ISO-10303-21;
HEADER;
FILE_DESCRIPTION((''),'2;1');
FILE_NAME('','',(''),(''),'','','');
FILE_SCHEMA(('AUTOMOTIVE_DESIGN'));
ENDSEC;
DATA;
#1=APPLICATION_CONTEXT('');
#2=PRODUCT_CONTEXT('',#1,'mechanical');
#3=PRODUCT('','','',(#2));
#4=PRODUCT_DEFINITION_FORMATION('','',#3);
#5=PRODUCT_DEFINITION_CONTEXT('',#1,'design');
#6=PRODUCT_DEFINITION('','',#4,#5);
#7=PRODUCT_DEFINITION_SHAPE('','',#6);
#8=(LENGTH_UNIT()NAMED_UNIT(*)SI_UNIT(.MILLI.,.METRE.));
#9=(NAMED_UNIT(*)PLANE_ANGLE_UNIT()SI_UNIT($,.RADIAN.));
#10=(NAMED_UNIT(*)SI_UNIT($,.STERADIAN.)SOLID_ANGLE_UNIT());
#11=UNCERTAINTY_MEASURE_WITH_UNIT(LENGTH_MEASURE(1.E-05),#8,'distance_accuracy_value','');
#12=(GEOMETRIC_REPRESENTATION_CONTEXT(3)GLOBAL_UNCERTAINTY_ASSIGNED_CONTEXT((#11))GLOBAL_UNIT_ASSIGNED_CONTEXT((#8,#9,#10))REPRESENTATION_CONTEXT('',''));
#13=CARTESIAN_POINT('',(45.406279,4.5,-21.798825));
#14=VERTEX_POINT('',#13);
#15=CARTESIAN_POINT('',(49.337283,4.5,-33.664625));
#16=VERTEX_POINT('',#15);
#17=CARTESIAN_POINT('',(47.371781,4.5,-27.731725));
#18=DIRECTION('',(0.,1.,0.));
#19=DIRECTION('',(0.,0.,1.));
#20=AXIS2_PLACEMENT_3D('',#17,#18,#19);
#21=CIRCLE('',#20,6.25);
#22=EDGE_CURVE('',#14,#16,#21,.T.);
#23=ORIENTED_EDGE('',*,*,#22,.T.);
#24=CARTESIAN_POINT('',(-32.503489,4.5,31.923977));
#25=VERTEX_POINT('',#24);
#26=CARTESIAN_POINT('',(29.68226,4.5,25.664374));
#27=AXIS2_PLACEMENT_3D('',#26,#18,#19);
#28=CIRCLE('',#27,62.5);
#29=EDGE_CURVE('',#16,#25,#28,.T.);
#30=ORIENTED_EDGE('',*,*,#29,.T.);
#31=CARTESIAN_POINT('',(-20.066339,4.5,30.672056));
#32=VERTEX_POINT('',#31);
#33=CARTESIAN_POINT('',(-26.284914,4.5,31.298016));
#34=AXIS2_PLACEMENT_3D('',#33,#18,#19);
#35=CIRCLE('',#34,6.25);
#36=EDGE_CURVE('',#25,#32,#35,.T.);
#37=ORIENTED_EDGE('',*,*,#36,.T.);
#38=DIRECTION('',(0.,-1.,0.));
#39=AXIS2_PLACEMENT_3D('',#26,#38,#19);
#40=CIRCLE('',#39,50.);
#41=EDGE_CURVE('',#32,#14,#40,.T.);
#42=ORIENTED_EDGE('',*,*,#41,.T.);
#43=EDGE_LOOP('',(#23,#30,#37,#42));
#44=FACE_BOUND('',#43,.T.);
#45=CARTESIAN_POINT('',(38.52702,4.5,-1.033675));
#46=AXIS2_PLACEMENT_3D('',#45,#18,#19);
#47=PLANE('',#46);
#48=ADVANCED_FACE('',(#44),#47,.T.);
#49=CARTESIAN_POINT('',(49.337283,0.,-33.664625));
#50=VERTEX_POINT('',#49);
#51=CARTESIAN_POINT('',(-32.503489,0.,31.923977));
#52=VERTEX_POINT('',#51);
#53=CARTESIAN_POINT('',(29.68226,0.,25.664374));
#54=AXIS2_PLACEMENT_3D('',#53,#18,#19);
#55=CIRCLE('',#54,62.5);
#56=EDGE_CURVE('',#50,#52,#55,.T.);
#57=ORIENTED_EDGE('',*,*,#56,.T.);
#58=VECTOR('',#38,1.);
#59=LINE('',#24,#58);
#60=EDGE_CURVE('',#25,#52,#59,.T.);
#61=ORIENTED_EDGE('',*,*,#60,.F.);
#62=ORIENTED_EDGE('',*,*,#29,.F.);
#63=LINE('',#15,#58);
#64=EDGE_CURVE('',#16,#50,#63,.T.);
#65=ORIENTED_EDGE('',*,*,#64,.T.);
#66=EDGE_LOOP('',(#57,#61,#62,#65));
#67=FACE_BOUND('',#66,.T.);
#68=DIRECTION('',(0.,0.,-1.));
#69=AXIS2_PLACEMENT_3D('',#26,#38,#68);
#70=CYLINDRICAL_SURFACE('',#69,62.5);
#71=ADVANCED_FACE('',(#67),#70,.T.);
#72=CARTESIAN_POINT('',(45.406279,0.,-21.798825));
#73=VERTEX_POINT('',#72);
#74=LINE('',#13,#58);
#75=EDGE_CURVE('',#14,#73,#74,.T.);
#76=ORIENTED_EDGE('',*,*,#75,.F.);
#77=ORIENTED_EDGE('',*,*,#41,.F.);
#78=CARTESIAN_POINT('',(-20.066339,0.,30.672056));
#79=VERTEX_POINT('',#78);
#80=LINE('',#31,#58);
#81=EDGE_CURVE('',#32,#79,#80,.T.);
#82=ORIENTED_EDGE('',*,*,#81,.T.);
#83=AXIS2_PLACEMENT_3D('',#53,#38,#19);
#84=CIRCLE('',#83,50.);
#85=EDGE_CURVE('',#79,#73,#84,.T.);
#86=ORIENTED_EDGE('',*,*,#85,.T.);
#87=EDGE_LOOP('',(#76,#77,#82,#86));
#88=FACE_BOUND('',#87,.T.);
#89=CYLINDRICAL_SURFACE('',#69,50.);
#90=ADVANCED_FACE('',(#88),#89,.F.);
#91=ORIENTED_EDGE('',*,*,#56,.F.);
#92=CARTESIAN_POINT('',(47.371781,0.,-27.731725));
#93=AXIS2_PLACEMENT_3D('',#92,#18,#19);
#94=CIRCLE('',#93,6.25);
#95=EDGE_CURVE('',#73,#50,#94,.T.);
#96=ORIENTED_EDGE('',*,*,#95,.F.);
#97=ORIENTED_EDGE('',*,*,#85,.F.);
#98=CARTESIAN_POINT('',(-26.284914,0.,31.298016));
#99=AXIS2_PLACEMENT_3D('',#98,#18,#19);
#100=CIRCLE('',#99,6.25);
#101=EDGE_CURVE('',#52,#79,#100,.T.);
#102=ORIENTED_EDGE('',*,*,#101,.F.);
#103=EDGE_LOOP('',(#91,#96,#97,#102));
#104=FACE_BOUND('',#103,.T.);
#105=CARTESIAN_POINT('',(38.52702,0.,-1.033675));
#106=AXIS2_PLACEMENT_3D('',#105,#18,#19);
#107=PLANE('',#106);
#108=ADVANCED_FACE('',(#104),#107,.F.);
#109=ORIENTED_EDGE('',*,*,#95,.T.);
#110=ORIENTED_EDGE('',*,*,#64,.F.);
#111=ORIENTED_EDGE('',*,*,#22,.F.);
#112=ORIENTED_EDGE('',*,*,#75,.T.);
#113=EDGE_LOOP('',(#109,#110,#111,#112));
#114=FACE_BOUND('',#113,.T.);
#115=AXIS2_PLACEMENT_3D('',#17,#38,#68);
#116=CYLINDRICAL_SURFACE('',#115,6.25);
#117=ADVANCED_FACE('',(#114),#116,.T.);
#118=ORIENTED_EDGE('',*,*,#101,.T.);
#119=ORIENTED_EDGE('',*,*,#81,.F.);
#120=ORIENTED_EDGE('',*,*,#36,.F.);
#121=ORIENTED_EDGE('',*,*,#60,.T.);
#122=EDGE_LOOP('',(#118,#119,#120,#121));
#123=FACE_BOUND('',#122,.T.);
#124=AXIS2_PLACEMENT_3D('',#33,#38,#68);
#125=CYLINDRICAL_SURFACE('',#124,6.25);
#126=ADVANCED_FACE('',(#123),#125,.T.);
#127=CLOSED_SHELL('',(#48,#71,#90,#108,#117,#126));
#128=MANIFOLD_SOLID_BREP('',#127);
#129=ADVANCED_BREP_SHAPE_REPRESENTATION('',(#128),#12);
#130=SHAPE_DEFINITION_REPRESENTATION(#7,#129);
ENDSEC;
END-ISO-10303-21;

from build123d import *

# Parameters (mm, degrees)
BOSS_EXTRUDE1_DEPTH = 4.5


with BuildPart() as part:
    # Sketch1 → Boss-Extrude1 (new body)
    with BuildSketch(Plane(origin=(0, 0, 0), x_dir=(1, 0, 0), z_dir=(0, 1, 0))):
        with BuildLine():
            ThreePointArc((49.337283378, 33.664624618), (-9.403310394, 23.106193098), (-32.503489047, -31.923976619))
            ThreePointArc((-32.503489047, -31.923976619), (-25.65895387, -37.516591231), (-20.066339257, -30.672056053))
            ThreePointArc((-20.066339257, -30.672056053), (-1.586196335, 13.35207972), (45.406278683, 21.798824936))
            ThreePointArc((45.406278683, 21.798824936), (53.304680871, 25.766222429), (49.337283378, 33.664624618))
        make_face()
    extrude(amount=BOSS_EXTRUDE1_DEPTH)


solid = part.part
